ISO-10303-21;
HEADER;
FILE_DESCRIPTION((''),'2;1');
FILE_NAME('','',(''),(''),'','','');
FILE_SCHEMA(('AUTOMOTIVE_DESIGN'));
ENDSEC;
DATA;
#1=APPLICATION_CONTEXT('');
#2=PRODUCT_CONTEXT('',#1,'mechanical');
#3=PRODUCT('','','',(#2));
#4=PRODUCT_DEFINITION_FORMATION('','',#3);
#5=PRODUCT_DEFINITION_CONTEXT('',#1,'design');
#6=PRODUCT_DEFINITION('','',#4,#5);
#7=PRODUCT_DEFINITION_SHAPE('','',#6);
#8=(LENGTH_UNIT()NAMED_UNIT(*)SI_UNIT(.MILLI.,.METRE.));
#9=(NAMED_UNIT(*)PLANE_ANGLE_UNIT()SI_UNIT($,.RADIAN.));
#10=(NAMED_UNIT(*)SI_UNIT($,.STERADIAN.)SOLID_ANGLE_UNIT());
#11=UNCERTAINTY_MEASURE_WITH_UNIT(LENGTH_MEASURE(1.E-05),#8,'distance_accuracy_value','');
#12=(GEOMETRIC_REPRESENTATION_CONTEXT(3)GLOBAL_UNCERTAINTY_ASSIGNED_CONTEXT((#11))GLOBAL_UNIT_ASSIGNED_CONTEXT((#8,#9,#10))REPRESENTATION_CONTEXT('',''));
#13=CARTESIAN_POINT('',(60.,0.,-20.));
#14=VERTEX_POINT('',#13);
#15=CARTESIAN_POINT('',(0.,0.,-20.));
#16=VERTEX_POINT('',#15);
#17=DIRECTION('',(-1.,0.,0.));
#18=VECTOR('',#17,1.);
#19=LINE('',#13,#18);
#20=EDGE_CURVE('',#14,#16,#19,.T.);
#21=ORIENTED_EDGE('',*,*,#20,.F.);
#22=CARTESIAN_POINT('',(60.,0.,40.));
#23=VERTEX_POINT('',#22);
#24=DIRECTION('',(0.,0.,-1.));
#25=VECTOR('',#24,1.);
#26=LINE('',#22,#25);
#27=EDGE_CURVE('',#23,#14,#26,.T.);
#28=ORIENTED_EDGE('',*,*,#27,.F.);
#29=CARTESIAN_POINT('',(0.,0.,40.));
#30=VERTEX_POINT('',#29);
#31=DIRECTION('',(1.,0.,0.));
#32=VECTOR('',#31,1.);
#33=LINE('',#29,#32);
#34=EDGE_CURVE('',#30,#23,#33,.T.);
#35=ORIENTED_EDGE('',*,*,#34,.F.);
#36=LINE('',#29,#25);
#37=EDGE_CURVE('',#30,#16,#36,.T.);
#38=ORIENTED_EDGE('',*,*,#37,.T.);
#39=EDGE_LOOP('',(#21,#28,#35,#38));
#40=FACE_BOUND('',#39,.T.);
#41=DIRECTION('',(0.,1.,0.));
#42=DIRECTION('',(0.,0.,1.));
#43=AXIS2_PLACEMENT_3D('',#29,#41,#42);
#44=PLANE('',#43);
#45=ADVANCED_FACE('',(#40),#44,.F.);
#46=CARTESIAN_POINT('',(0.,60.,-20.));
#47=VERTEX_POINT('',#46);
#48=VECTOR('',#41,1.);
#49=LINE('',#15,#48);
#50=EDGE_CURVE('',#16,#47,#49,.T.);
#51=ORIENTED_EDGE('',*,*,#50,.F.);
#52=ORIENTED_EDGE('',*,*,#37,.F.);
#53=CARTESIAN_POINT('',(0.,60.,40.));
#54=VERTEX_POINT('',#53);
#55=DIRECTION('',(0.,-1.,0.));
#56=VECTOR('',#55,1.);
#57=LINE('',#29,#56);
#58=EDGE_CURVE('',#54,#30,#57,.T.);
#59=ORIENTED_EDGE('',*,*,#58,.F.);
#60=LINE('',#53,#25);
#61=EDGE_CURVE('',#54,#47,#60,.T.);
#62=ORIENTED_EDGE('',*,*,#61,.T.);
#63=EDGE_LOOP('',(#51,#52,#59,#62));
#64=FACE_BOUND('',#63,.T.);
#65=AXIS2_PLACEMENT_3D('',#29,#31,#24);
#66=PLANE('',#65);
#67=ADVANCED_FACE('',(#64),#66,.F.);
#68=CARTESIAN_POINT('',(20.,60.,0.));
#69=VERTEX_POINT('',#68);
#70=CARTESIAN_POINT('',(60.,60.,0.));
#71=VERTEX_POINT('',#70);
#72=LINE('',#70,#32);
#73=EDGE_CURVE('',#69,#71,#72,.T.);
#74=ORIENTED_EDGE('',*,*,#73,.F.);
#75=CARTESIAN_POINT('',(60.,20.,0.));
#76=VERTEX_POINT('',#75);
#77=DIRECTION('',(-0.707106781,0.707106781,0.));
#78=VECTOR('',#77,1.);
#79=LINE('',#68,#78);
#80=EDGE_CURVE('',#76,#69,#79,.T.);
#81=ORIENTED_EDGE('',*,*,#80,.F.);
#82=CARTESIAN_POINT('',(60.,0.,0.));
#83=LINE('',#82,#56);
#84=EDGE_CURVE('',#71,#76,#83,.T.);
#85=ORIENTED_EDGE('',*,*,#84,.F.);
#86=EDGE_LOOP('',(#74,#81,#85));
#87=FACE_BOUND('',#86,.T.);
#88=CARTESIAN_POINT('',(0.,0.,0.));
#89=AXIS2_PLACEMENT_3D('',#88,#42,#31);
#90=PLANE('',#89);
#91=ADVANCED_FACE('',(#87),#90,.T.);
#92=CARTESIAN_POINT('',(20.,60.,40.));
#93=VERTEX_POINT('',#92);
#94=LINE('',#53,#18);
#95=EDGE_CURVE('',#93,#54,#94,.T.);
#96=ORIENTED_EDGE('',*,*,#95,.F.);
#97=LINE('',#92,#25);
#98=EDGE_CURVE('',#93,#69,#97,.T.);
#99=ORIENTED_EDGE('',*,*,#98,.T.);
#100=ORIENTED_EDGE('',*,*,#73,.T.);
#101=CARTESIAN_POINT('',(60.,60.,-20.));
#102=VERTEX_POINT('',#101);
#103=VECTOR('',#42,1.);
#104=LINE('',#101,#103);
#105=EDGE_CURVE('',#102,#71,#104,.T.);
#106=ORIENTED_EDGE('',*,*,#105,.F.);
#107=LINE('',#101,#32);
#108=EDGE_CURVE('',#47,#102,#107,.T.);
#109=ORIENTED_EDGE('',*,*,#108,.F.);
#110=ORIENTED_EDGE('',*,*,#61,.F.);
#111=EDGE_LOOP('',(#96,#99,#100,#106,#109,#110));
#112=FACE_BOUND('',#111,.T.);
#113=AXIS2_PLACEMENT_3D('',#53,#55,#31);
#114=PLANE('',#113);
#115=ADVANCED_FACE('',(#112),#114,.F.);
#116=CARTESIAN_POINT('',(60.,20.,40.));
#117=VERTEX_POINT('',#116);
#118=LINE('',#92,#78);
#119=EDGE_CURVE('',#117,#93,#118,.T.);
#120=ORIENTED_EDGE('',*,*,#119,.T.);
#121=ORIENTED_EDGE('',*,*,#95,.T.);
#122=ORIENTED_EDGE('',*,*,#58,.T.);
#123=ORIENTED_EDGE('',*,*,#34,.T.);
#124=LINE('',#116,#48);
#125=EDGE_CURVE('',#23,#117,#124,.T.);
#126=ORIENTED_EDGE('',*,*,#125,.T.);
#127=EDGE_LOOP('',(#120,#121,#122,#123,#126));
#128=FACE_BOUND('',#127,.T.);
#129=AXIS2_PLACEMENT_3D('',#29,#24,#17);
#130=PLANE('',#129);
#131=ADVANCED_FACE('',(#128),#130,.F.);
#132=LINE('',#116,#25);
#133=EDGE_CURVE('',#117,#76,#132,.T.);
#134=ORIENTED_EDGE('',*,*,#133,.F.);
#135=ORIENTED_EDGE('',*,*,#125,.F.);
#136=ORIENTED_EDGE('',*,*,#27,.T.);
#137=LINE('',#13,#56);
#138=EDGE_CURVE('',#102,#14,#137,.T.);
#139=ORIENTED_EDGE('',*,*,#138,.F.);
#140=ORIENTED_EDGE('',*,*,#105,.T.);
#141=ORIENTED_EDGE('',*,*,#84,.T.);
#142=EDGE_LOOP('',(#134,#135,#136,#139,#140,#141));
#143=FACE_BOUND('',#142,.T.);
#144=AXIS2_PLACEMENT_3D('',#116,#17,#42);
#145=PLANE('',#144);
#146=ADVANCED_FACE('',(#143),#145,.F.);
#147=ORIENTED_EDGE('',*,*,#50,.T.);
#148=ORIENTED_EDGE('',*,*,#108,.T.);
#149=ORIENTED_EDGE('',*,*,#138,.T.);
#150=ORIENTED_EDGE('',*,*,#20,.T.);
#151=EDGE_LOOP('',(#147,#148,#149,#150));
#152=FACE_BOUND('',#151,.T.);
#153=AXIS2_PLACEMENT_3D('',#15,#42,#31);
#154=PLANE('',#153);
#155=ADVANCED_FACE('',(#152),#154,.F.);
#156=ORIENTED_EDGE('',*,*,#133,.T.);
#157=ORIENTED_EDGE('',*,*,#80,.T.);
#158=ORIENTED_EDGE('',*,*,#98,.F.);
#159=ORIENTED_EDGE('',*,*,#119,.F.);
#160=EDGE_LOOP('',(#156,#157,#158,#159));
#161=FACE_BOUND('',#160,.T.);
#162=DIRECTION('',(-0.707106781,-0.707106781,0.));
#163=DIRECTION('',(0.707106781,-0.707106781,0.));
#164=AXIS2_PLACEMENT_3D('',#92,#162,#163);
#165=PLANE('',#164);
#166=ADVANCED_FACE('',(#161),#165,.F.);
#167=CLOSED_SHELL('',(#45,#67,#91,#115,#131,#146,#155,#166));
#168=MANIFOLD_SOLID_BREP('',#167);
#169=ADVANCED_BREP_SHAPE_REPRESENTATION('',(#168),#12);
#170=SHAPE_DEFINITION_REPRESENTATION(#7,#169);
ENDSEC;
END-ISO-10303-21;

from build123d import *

# Parameters (mm, degrees)
RESSALTO_EXTRUS_O1_DEPTH = 40
ESBO_O2_W                = 60
ESBO_O2_H                = 60
RESSALTO_EXTRUS_O2_DEPTH = 20


with BuildPart() as part:
    # Esboço1 → Ressalto-extrusão1 (new body)
    with BuildSketch(Plane.XY):
        Polygon((0, 0), (60, 0), (60, 20), (20, 60), (0, 60), align=None)
    extrude(amount=RESSALTO_EXTRUS_O1_DEPTH)

    # Esboço2 → Ressalto-extrusão2 (add)
    with BuildSketch(Plane(origin=(0, 0, 0), x_dir=(-1, 0, 0), z_dir=(0, 0, -1))):
        with Locations((-30, 30)):
            Rectangle(ESBO_O2_W, ESBO_O2_H)
    extrude(amount=RESSALTO_EXTRUS_O2_DEPTH)


solid = part.part
